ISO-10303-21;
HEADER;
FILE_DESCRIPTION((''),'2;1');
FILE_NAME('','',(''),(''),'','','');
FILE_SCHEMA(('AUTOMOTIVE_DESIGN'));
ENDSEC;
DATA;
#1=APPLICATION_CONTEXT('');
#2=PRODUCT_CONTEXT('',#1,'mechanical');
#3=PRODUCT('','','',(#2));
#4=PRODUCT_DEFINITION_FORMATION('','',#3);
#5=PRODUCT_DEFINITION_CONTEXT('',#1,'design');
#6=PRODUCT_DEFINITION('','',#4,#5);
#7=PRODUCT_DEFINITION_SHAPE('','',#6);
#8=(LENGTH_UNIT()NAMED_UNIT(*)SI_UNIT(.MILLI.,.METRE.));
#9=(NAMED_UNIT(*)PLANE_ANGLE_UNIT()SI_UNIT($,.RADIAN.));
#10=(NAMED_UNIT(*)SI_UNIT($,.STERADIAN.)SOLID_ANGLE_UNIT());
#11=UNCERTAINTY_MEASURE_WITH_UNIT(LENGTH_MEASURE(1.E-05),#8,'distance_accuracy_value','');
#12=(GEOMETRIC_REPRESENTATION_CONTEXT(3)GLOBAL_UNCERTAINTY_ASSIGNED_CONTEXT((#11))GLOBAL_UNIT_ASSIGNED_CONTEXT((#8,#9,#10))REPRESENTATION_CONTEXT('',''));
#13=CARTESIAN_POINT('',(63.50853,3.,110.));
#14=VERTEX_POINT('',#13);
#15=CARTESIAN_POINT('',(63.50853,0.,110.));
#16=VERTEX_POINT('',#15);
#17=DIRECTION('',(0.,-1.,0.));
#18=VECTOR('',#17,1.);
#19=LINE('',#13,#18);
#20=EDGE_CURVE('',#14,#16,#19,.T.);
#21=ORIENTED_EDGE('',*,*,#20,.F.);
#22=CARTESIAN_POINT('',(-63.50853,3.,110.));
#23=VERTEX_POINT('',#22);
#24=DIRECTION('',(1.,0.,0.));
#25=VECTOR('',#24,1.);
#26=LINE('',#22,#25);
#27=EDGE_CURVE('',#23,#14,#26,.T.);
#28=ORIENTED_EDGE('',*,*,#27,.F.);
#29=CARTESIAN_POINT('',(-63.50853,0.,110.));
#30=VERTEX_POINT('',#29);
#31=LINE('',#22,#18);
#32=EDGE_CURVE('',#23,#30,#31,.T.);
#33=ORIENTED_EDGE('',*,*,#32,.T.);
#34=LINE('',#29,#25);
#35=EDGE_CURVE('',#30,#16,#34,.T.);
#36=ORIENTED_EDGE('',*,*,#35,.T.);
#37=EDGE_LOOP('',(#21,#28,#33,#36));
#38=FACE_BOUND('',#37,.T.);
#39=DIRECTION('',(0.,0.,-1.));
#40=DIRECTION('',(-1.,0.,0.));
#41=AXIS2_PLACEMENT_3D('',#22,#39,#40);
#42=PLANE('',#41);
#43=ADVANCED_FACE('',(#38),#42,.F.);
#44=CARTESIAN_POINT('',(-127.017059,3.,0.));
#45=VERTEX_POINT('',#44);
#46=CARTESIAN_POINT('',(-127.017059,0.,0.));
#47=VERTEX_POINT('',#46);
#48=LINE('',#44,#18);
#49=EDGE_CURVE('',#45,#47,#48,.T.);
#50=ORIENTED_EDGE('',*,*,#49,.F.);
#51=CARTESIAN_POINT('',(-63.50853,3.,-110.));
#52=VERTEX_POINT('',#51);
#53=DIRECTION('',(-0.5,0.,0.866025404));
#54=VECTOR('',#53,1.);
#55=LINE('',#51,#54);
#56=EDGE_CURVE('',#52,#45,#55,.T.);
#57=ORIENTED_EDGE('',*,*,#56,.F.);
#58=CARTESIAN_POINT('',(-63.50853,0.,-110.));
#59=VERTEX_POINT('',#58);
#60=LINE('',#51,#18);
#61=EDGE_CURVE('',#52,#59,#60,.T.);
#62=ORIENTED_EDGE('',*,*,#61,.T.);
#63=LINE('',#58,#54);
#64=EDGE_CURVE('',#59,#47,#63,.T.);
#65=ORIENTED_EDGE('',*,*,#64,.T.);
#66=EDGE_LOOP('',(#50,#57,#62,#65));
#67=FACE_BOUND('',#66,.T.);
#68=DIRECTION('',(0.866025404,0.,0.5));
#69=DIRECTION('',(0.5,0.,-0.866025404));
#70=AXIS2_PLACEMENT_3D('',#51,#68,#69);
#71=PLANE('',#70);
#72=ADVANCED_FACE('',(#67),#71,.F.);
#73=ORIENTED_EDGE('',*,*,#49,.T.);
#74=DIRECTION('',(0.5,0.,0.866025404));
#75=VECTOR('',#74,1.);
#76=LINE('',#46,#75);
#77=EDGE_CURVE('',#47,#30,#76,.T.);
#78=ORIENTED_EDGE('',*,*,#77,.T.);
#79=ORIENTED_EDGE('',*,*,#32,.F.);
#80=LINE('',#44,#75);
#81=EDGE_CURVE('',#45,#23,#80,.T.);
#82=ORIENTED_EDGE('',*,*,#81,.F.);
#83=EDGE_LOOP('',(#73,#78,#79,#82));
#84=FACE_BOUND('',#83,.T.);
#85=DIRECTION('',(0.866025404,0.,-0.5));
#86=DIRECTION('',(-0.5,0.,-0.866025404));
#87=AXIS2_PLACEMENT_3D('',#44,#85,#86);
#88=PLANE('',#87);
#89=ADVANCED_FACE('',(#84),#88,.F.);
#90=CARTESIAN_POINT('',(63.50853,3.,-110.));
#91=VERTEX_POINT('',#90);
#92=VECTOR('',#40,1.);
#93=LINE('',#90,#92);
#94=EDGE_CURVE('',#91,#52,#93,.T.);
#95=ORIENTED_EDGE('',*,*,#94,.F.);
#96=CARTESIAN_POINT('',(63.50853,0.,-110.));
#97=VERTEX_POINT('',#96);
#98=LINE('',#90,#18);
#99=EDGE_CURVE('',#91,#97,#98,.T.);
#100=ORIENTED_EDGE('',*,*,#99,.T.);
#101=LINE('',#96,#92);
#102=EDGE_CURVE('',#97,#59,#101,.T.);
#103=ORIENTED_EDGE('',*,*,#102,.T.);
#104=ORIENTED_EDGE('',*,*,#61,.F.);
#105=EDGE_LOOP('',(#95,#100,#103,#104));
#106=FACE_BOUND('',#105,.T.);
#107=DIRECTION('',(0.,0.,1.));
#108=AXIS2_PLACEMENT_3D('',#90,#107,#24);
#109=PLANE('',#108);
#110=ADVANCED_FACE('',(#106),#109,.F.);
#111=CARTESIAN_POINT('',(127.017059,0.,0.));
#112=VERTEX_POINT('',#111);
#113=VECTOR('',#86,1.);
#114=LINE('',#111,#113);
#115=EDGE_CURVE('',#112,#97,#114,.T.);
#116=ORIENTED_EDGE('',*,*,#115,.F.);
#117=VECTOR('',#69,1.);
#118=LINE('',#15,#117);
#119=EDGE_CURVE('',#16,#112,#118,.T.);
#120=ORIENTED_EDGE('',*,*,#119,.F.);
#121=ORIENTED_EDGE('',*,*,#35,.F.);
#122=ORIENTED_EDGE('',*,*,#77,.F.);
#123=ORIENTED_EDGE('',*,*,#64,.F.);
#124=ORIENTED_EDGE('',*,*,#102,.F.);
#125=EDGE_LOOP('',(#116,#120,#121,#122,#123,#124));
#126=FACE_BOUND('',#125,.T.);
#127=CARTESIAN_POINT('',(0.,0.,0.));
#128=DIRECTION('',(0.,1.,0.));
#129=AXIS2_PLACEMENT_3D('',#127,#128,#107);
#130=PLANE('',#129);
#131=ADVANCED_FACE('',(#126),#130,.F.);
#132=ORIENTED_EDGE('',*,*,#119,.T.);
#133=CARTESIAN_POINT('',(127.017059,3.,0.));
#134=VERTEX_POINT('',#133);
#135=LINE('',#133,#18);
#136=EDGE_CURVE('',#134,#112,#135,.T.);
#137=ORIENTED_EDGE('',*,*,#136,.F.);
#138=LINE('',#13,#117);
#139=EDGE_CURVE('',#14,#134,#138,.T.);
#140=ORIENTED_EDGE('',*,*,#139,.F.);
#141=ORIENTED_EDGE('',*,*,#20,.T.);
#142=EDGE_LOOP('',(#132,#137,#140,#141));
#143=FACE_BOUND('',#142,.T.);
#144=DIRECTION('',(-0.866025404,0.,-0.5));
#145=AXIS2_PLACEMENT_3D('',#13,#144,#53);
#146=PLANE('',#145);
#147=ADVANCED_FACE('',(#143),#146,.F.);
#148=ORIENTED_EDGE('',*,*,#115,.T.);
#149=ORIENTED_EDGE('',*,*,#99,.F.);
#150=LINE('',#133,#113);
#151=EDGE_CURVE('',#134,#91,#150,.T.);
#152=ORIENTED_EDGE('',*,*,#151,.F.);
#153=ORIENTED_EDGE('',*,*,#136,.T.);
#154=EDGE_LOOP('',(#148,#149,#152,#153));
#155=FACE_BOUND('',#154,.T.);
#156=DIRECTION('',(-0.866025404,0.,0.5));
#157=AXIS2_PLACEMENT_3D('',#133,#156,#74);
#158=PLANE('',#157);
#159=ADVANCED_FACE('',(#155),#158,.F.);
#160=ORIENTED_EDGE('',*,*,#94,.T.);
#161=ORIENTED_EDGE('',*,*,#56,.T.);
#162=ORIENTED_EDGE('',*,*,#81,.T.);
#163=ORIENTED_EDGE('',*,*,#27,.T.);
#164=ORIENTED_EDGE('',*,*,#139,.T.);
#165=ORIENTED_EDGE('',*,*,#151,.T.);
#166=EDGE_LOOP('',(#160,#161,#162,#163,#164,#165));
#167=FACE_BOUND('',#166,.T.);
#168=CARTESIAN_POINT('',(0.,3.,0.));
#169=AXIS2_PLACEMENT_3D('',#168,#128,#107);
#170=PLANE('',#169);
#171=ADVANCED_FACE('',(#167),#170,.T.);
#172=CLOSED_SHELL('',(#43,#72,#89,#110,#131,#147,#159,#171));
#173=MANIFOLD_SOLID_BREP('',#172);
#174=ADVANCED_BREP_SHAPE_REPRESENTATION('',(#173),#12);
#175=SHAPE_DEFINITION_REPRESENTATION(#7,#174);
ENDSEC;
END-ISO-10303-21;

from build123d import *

# Parameters (mm, degrees)
SALIENTE_EXTRUIR1_DEPTH = 3


with BuildPart() as part:
    # Croquis1 → Saliente-Extruir1 (new body)
    with BuildSketch(Plane(origin=(0, 0, 0), x_dir=(1, 0, 0), z_dir=(0, 1, 0))):
        Polygon((63.508529611, -110), (127.017059222, 0), (63.508529611, 110), (-63.508529611, 110), (-127.017059222, 0), (-63.508529611, -110), align=None)
    extrude(amount=SALIENTE_EXTRUIR1_DEPTH)


solid = part.part
